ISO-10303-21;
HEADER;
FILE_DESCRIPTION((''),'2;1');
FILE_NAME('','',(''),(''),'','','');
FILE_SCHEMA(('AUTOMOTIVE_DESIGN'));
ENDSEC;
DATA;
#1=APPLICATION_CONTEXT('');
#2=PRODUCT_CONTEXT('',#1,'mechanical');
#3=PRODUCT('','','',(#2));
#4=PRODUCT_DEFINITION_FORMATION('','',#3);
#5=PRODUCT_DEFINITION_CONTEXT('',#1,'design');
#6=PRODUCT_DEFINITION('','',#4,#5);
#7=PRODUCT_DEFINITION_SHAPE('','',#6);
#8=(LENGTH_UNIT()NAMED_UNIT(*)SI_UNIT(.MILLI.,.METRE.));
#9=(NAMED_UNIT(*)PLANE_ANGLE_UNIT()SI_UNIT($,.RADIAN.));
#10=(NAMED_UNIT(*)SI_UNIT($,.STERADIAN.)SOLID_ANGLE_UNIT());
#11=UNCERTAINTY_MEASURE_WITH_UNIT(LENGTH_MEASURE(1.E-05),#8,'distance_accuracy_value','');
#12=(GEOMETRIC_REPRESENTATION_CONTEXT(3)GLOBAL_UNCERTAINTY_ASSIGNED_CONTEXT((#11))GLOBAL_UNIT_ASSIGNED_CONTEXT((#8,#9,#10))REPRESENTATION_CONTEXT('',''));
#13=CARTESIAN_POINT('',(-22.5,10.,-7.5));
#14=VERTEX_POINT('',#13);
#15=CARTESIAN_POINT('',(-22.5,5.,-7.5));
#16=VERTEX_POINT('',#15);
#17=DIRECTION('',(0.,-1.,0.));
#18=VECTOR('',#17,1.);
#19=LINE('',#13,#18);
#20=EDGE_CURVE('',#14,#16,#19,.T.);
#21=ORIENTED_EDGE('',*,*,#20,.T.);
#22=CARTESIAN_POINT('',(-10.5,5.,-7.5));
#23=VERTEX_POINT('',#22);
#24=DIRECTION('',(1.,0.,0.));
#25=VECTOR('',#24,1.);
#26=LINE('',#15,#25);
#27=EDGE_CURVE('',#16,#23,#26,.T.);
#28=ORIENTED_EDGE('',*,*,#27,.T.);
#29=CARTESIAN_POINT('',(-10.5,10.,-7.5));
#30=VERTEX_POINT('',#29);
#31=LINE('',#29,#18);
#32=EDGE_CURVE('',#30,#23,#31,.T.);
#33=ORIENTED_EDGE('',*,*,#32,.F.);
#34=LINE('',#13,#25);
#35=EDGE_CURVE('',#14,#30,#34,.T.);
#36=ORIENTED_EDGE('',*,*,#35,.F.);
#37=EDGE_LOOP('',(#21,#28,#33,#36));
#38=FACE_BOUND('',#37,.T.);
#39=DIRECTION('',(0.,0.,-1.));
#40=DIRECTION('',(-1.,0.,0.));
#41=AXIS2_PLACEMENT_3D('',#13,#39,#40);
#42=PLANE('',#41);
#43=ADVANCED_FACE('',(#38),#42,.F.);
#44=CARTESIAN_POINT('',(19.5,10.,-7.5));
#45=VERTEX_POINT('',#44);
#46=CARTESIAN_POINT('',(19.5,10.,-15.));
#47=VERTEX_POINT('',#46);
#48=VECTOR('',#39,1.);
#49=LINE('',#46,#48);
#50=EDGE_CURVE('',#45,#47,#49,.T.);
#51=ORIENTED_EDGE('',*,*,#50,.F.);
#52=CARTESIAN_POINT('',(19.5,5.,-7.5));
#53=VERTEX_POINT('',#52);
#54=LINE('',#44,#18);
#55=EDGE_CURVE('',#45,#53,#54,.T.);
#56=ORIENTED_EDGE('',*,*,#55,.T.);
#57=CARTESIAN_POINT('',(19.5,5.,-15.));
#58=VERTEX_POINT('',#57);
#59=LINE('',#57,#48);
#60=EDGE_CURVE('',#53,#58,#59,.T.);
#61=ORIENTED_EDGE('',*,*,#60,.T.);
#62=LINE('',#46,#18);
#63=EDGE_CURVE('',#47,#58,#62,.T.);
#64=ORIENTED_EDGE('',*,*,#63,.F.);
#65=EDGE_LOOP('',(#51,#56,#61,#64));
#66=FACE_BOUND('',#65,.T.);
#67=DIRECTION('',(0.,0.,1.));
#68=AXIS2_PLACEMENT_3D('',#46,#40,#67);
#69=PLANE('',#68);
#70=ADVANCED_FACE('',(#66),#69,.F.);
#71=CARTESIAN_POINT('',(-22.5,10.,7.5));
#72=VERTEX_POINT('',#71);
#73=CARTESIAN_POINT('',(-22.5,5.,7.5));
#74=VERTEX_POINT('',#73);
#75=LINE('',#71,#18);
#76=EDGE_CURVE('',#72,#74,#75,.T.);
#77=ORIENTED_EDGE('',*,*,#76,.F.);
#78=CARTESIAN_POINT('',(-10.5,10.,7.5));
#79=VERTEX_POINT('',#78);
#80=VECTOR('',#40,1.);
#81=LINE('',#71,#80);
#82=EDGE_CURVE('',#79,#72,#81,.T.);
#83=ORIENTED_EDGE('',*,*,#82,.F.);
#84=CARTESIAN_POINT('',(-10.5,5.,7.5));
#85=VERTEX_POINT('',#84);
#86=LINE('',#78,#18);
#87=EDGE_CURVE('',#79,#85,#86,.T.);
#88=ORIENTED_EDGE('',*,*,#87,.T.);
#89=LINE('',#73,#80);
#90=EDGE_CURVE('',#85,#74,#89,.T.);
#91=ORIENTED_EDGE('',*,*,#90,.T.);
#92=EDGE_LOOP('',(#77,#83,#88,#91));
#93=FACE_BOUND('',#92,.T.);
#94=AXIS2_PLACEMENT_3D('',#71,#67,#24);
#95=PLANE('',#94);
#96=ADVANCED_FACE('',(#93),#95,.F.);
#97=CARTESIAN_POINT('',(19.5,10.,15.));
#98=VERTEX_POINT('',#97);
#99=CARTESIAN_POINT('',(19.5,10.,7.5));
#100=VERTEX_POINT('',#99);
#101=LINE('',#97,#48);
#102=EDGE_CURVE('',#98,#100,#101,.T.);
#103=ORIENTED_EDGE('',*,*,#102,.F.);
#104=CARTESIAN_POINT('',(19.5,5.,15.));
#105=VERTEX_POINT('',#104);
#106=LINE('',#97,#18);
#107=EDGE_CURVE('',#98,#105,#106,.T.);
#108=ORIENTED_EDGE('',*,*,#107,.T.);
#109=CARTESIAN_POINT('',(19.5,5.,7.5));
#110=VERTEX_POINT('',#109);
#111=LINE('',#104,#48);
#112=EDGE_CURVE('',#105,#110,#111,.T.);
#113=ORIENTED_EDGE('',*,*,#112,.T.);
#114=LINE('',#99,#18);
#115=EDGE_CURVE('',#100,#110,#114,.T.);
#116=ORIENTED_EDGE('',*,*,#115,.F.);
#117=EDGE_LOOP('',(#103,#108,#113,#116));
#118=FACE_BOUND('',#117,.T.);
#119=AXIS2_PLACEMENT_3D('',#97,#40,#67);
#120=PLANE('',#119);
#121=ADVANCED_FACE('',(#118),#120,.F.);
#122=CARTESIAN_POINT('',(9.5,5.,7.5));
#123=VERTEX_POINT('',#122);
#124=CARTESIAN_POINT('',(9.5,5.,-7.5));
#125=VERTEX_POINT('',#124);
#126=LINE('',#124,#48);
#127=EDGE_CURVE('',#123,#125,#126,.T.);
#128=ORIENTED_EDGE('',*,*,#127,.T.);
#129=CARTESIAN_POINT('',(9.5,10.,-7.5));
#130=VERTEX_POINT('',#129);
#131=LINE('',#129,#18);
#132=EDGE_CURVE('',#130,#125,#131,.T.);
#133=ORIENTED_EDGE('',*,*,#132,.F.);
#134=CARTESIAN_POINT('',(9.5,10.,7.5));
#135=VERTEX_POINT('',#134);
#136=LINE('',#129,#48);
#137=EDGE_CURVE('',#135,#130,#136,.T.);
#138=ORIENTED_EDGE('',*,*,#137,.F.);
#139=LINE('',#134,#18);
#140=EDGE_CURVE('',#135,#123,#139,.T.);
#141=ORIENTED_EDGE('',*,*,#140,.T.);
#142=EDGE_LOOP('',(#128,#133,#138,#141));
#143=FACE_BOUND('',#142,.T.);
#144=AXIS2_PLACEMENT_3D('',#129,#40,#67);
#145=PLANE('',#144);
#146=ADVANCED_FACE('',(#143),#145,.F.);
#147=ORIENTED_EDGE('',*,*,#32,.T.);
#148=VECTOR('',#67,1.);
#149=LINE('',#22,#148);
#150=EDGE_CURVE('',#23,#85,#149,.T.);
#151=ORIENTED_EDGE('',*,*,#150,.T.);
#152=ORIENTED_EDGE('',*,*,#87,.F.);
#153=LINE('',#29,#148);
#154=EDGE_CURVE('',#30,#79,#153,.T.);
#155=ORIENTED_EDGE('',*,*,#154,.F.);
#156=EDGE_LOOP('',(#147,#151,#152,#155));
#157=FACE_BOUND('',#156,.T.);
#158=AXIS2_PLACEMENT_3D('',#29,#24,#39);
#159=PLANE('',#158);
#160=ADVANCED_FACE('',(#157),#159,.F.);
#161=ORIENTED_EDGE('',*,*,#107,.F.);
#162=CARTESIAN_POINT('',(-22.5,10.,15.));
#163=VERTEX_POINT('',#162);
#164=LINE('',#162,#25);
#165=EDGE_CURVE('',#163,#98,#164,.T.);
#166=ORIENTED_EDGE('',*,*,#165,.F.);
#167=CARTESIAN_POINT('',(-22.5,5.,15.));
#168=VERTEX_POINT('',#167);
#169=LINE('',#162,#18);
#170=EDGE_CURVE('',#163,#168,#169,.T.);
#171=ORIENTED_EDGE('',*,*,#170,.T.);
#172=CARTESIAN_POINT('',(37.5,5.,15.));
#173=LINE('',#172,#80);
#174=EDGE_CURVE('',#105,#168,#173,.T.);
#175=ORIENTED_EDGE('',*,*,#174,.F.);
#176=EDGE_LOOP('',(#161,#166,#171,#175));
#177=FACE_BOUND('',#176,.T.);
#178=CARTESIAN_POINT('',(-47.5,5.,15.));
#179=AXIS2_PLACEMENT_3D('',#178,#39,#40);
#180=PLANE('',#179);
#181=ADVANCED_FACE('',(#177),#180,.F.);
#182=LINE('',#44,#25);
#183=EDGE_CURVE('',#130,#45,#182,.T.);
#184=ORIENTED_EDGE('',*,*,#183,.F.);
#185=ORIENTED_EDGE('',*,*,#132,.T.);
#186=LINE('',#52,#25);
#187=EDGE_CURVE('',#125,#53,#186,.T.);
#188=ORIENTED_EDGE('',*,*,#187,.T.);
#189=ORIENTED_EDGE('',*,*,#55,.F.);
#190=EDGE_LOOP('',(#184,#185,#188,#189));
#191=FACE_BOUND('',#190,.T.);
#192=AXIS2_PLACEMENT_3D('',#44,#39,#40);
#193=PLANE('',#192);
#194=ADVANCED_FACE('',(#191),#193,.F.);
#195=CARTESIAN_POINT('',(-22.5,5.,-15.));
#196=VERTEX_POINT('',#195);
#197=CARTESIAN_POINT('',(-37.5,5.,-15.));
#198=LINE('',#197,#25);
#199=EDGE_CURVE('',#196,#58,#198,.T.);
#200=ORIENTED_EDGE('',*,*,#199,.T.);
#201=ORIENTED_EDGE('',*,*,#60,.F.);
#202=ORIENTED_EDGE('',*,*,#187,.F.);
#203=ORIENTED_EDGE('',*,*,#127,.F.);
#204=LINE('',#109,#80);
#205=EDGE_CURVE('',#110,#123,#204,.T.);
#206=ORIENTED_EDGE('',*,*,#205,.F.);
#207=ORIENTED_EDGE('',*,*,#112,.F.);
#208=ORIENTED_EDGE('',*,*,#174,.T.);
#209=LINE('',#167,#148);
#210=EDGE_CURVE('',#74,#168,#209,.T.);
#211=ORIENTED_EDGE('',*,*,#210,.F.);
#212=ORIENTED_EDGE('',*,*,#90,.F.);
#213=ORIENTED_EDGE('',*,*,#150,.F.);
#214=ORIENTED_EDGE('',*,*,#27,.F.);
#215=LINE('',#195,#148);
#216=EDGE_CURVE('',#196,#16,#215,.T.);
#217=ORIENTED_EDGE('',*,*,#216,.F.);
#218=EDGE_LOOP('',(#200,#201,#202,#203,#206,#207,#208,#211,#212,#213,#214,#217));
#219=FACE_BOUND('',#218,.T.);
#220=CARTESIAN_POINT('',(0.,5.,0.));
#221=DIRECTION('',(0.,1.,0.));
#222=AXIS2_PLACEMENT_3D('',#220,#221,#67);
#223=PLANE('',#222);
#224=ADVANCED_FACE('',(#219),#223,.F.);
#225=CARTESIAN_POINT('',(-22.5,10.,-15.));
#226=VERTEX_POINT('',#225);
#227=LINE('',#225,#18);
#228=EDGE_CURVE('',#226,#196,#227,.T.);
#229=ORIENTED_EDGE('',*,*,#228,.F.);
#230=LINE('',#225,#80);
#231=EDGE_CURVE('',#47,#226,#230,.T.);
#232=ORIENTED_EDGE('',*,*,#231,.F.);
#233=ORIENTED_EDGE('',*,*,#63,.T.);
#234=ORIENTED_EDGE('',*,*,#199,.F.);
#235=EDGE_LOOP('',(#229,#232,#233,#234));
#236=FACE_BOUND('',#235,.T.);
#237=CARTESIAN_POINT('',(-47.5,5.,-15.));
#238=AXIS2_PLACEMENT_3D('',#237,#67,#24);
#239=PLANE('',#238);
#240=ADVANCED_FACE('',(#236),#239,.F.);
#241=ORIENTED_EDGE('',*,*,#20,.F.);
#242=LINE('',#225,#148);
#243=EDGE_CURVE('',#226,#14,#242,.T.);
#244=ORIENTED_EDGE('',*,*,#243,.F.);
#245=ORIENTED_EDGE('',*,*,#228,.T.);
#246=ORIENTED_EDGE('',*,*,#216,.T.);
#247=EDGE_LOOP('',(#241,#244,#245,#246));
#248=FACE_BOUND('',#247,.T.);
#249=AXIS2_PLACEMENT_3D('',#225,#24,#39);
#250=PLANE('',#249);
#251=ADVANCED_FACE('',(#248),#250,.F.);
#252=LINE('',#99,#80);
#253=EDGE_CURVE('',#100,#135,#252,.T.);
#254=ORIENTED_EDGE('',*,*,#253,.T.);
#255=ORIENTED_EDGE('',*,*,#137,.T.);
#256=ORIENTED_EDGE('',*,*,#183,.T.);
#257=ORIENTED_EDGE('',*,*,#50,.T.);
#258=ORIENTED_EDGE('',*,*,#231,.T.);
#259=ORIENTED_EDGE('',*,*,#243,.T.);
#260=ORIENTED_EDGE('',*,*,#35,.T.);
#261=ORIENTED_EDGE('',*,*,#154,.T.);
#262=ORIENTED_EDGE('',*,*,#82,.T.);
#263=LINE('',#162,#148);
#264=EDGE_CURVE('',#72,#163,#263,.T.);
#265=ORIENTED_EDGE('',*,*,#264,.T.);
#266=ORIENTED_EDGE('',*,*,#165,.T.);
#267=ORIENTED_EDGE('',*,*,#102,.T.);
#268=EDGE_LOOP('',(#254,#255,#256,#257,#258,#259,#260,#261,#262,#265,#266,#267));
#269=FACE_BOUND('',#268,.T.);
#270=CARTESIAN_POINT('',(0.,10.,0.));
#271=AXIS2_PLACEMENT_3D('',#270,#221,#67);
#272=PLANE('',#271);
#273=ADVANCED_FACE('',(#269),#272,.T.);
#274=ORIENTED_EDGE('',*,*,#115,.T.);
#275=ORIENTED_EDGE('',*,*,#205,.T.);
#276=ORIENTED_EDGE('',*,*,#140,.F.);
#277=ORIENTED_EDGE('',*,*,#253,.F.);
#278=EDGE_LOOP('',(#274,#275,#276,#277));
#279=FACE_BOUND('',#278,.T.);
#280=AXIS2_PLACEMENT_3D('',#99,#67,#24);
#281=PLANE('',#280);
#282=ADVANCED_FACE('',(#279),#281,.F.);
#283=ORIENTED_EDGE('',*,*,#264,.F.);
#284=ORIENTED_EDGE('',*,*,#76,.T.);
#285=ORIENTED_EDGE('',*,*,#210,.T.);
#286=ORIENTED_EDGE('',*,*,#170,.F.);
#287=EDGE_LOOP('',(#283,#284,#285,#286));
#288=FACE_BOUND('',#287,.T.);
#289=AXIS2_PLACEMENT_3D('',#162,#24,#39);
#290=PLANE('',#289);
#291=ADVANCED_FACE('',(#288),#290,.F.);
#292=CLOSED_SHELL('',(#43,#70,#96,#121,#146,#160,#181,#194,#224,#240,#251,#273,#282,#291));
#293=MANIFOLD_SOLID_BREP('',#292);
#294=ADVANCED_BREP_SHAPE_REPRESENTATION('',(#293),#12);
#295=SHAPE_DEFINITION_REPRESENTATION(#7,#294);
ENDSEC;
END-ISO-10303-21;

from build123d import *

# Parameters (mm, degrees)
SKETCH1_W           = 95
SKETCH1_H           = 30
SKETCH1_R           = 7
SKETCH1_R_2         = 1
BOSS_EXTRUDE1_DEPTH = 5
SKETCH3_W           = 5
SKETCH3_H           = 10
CUT_EXTRUDE2_DEPTH  = 10
SKETCH4_R           = 7
SKETCH4_R_2         = 1
CUT_EXTRUDE3_DEPTH  = 10
FILLET1_R           = 10
CUT_EXTRUDE4_REACH  = 7
SKETCH5_R           = 2.05
BOSS_EXTRUDE2_DEPTH = 5
CUT_EXTRUDE5_DEPTH  = 5


with BuildPart() as part:
    # Sketch1 → Boss-Extrude1 (new body)
    with BuildSketch(Plane(origin=(0, 0, 0), x_dir=(1, 0, 0), z_dir=(0, 1, 0))):
        Rectangle(SKETCH1_W, SKETCH1_H)
        with Locations((-32.5, 0)):
            Circle(SKETCH1_R, mode=Mode.SUBTRACT)
        with Locations((-42.9, 0)):
            Circle(SKETCH1_R_2, mode=Mode.SUBTRACT)
        with Locations((-45.9, 0)):
            Circle(SKETCH1_R_2, mode=Mode.SUBTRACT)
        with Locations((-32.5, 10.4)):
            Circle(SKETCH1_R_2, mode=Mode.SUBTRACT)
        with Locations((-32.5, 13.4)):
            Circle(SKETCH1_R_2, mode=Mode.SUBTRACT)
        with Locations((-22.1, 0)):
            Circle(SKETCH1_R_2, mode=Mode.SUBTRACT)
        with Locations((-19.1, 0)):
            Circle(SKETCH1_R_2, mode=Mode.SUBTRACT)
        with Locations((-32.5, -10.4)):
            Circle(SKETCH1_R_2, mode=Mode.SUBTRACT)
        with Locations((-32.5, -13.4)):
            Circle(SKETCH1_R_2, mode=Mode.SUBTRACT)
    extrude(amount=BOSS_EXTRUDE1_DEPTH)

    # Sketch3 → Cut-Extrude2 (cut)
    with BuildSketch(Plane(origin=(0, 5, 0), x_dir=(1, 0, 0), z_dir=(0, 1, 0))):
        with Locations((-5, 0)):
            Rectangle(SKETCH3_W, SKETCH3_H)
    extrude(amount=-CUT_EXTRUDE2_DEPTH, mode=Mode.SUBTRACT)

    # Sketch4 → Cut-Extrude3 (cut)
    with BuildSketch(Plane(origin=(0, 5, 0), x_dir=(1, 0, 0), z_dir=(0, 1, 0))):
        with Locations((-32.5, 0)):
            Circle(SKETCH4_R)
        with Locations((-32.5, -13.4)):
            Circle(SKETCH4_R_2)
        with Locations((-32.5, -10.4)):
            Circle(SKETCH4_R_2)
        with Locations((-42.9, 0)):
            Circle(SKETCH4_R_2)
        with Locations((-45.9, 0)):
            Circle(SKETCH4_R_2)
        with Locations((-32.5, 13.4)):
            Circle(SKETCH4_R_2)
        with Locations((-22.1, 0)):
            Circle(SKETCH4_R_2)
        with Locations((-19.1, 0)):
            Circle(SKETCH4_R_2)
        with Locations((-32.5, 10.4)):
            Circle(SKETCH4_R_2)
        with Locations((27.5, -13.4)):
            Circle(SKETCH4_R_2)
        with Locations((27.5, -10.4)):
            Circle(SKETCH4_R_2)
        with Locations((40.9, 0)):
            Circle(SKETCH4_R_2)
        with Locations((37.9, 0)):
            Circle(SKETCH4_R_2)
        with Locations((27.5, 0)):
            Circle(SKETCH4_R)
        with Locations((27.5, 10.4)):
            Circle(SKETCH4_R_2)
        with Locations((27.5, 13.4)):
            Circle(SKETCH4_R_2)
        with Locations((17.1, 0)):
            Circle(SKETCH4_R_2)
        with Locations((14.1, 0)):
            Circle(SKETCH4_R_2)
    extrude(amount=-CUT_EXTRUDE3_DEPTH, mode=Mode.SUBTRACT)

    # Fillet1
    fillet1_edges = [part.edges().sort_by_distance(p)[0] for p in [
        (47.5, 2.5, 15),
        (-47.5, 2.5, 15),
        (-47.5, 2.5, -15),
        (47.5, 2.5, -15),
    ]]
    fillet(fillet1_edges, radius=FILLET1_R)

    # Sketch5 → Cut-Extrude4 (cut, up to next)
    with BuildSketch(Plane(origin=(0, 5, 0), x_dir=(1, 0, 0), z_dir=(0, 1, 0)), mode=Mode.PRIVATE) as cut_extrude4_sk1:
        with Locations((-7.5, 5)):
            Circle(SKETCH5_R)
    cut_extrude4_tool1 = extrude(cut_extrude4_sk1.sketch, amount=-CUT_EXTRUDE4_REACH, mode=Mode.PRIVATE) & part.part
    add(cut_extrude4_tool1.solids().sort_by_distance((-7.5, 5, -5))[0], mode=Mode.SUBTRACT)
    # Sketch5 → Cut-Extrude4 (cut, up to next)
    with BuildSketch(Plane(origin=(0, 5, 0), x_dir=(1, 0, 0), z_dir=(0, 1, 0)), mode=Mode.PRIVATE) as cut_extrude4_sk2:
        with Locations((-2.5, 5)):
            Circle(SKETCH5_R)
    cut_extrude4_tool2 = extrude(cut_extrude4_sk2.sketch, amount=-CUT_EXTRUDE4_REACH, mode=Mode.PRIVATE) & part.part
    add(cut_extrude4_tool2.solids().sort_by_distance((-2.5, 5, -5))[0], mode=Mode.SUBTRACT)
    # Sketch5 → Cut-Extrude4 (cut, up to next)
    with BuildSketch(Plane(origin=(0, 5, 0), x_dir=(1, 0, 0), z_dir=(0, 1, 0)), mode=Mode.PRIVATE) as cut_extrude4_sk3:
        with Locations((-2.5, -5)):
            Circle(SKETCH5_R)
    cut_extrude4_tool3 = extrude(cut_extrude4_sk3.sketch, amount=-CUT_EXTRUDE4_REACH, mode=Mode.PRIVATE) & part.part
    add(cut_extrude4_tool3.solids().sort_by_distance((-2.5, 5, 5))[0], mode=Mode.SUBTRACT)
    # Sketch5 → Cut-Extrude4 (cut, up to next)
    with BuildSketch(Plane(origin=(0, 5, 0), x_dir=(1, 0, 0), z_dir=(0, 1, 0)), mode=Mode.PRIVATE) as cut_extrude4_sk4:
        with Locations((-7.5, -5)):
            Circle(SKETCH5_R)
    cut_extrude4_tool4 = extrude(cut_extrude4_sk4.sketch, amount=-CUT_EXTRUDE4_REACH, mode=Mode.PRIVATE) & part.part
    add(cut_extrude4_tool4.solids().sort_by_distance((-7.5, 5, 5))[0], mode=Mode.SUBTRACT)

    # Sketch6 → Boss-Extrude2 (add)
    with BuildSketch(Plane(origin=(0, 5, 0), x_dir=(1, 0, 0), z_dir=(0, 1, 0))):
        Polygon((-22.5, 15), (19.5, 15), (19.5, 7.5), (9.5, 7.5), (9.5, -7.5), (19.5, -7.5), (19.5, -15), (-22.5, -15), (-22.5, -7.5), (-10.5, -7.5), (-10.5, 7.5), (-22.5, 7.5), align=None)
    extrude(amount=BOSS_EXTRUDE2_DEPTH)

    # Sketch8 → Cut-Extrude5 (cut)
    with BuildSketch(Plane.XZ):
        with BuildLine():
            Line((47.5, -5), (47.5, 5))
            ThreePointArc((47.5, 5), (44.571067812, 12.071067812), (37.5, 15))
            Line((37.5, 15), (-37.5, 15))
            ThreePointArc((-37.5, 15), (-44.571067812, 12.071067812), (-47.5, 5))
            Line((-47.5, 5), (-47.5, -5))
            ThreePointArc((-47.5, -5), (-44.571067812, -12.071067812), (-37.5, -15))
            Line((-37.5, -15), (37.5, -15))
            ThreePointArc((37.5, -15), (44.571067812, -12.071067812), (47.5, -5))
        make_face()
    extrude(amount=-CUT_EXTRUDE5_DEPTH, mode=Mode.SUBTRACT)


solid = part.part
